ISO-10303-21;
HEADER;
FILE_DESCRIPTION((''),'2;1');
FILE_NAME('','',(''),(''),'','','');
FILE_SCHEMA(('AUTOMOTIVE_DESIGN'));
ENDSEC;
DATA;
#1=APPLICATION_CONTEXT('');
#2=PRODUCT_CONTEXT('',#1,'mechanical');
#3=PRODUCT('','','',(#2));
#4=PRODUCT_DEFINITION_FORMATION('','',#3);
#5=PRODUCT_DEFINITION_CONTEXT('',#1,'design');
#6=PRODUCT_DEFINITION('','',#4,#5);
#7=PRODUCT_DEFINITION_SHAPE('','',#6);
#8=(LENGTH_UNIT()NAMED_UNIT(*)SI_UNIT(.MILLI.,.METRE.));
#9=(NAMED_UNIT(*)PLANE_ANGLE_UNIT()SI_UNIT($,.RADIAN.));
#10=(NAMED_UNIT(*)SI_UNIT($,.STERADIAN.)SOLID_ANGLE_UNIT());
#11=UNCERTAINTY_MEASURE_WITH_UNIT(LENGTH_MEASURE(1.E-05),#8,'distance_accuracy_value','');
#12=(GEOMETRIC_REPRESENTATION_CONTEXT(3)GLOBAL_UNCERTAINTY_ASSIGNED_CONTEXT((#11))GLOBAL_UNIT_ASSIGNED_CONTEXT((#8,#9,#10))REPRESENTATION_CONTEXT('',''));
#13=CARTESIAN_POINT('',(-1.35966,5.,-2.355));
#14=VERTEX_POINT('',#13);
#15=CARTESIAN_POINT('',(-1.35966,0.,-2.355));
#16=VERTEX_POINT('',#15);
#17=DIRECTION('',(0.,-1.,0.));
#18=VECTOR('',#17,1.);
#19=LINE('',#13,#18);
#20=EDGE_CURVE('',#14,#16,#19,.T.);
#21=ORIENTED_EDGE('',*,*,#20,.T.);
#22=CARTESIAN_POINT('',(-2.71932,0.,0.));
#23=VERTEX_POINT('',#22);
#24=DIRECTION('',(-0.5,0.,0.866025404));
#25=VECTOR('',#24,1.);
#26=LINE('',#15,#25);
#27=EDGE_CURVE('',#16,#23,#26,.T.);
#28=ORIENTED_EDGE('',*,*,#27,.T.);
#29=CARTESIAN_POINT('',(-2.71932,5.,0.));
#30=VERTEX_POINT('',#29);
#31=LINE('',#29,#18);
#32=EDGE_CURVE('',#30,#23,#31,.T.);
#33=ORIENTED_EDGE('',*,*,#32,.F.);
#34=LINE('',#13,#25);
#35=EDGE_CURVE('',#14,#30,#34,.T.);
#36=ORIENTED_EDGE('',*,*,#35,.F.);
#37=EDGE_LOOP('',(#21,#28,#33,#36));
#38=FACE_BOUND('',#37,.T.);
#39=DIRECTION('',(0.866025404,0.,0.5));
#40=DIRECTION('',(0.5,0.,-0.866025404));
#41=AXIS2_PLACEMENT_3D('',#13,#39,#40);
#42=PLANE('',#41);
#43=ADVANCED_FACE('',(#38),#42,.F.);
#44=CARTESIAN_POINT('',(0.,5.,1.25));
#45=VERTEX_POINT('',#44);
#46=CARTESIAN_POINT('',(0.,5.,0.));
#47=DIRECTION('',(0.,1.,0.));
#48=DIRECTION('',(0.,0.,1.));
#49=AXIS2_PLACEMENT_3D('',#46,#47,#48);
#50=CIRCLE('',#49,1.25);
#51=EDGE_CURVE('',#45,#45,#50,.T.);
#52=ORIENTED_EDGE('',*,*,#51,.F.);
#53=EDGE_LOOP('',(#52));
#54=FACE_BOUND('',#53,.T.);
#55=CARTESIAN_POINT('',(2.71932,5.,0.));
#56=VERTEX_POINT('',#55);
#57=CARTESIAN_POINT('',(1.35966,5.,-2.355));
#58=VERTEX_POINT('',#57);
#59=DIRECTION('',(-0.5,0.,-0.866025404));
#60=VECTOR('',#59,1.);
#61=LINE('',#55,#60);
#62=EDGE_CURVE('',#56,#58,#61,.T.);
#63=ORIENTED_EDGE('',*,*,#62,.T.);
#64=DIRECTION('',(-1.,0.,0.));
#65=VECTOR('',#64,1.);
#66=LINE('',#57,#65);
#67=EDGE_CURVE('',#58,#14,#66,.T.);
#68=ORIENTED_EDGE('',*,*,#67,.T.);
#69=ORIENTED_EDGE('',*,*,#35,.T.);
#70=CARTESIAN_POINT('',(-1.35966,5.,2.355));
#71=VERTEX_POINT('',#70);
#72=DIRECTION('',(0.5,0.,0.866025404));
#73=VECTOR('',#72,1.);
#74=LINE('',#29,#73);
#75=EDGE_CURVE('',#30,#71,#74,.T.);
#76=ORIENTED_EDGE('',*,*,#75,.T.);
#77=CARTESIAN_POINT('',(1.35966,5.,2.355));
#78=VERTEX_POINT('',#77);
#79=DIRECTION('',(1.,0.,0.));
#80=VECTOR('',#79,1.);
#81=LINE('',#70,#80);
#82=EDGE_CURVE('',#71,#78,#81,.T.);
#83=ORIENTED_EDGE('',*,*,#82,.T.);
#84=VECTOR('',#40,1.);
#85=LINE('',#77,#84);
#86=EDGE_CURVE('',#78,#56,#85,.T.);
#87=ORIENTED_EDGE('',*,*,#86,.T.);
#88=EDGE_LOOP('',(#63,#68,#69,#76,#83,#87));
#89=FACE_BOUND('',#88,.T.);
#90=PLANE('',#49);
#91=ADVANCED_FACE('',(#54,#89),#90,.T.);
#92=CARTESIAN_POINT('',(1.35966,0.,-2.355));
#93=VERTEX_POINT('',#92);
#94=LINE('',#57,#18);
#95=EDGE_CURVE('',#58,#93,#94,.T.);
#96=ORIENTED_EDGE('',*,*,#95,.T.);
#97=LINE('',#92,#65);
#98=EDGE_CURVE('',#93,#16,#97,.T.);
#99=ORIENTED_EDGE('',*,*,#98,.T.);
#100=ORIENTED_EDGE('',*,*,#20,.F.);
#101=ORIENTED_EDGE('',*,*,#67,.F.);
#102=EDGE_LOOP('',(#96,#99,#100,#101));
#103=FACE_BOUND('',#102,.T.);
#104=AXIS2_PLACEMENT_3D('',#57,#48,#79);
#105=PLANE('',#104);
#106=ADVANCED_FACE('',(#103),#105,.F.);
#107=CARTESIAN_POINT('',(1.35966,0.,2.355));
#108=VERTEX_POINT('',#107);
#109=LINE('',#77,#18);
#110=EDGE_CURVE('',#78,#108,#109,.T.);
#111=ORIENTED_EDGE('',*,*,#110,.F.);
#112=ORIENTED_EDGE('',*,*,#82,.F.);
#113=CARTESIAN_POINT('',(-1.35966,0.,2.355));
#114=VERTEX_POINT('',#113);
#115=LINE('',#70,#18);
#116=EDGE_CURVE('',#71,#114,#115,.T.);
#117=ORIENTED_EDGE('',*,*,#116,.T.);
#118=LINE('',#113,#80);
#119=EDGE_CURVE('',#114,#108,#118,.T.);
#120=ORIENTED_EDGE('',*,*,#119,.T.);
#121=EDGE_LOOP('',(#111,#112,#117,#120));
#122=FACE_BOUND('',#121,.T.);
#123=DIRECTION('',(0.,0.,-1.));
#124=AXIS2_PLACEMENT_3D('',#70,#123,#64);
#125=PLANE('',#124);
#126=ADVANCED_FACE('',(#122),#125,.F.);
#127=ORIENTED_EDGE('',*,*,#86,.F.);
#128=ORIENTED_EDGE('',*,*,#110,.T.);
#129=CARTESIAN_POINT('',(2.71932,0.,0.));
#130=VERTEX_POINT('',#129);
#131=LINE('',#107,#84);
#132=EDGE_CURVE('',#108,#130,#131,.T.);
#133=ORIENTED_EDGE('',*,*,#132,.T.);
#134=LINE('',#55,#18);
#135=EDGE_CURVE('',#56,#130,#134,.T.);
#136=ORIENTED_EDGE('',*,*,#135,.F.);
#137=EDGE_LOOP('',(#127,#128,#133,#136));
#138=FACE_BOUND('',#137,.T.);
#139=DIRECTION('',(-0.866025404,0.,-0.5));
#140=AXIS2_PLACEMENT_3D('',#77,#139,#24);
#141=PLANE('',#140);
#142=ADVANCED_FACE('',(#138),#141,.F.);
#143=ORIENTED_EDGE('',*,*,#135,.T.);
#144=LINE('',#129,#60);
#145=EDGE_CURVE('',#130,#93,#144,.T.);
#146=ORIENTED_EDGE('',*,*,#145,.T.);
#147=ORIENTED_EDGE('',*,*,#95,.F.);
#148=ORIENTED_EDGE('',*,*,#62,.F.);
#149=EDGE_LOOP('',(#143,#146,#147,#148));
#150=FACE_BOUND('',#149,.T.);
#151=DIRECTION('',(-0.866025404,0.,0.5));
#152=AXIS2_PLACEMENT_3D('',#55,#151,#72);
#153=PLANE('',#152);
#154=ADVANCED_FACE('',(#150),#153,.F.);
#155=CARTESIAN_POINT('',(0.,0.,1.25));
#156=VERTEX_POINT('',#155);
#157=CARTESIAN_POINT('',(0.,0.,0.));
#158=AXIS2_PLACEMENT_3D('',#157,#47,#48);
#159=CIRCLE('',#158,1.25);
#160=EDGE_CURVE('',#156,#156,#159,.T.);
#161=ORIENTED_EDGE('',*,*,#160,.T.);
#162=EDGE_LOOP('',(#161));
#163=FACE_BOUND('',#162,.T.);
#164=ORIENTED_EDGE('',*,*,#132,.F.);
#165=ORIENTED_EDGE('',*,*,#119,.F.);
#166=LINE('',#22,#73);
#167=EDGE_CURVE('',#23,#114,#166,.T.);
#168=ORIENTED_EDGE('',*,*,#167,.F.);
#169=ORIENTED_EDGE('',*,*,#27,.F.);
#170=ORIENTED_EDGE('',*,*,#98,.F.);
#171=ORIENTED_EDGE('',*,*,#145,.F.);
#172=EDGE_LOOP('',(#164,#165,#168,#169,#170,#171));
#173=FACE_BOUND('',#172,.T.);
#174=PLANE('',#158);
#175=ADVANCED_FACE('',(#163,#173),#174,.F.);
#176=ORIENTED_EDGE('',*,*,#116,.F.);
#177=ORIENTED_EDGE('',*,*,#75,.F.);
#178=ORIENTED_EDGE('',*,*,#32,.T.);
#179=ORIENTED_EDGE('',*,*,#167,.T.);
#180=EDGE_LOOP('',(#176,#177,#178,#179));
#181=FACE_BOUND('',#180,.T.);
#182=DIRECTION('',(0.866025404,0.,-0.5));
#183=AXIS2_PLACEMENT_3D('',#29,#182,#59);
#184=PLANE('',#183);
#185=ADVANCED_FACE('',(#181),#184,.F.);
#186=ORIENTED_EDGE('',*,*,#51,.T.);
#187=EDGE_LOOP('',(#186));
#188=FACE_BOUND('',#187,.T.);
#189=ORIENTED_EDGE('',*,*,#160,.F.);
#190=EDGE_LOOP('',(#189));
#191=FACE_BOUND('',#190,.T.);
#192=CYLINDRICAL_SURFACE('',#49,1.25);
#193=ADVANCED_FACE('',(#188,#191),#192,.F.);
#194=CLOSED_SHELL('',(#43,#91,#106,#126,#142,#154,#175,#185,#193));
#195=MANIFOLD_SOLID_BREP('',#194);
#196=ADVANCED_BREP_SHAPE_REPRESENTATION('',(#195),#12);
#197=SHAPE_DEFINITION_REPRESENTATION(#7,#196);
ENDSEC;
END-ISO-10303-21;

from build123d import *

# Parameters (mm, degrees)
EXTRUDE_1_DEPTH    = 5
HOLE_WIZARD_M3_1_D = 2.5


with BuildPart() as part:
    # 草图1 → 凸台-拉伸1 (new body)
    with BuildSketch(Plane(origin=(0, 0, 0), x_dir=(1, 0, 0), z_dir=(0, 1, 0))):
        Polygon((2.719319768, 0), (1.359659884, 2.355), (-1.359659884, 2.355), (-2.719319768, 0), (-1.359659884, -2.355), (1.359659884, -2.355), align=None)
    extrude(amount=EXTRUDE_1_DEPTH)

    # M3 螺纹孔1 (through all)
    with Locations(Plane(origin=(0, 5, 0), x_dir=(1, 0, 0), z_dir=(0, 1, 0))):
        with Locations((0, 0)):
            Hole(HOLE_WIZARD_M3_1_D / 2)


solid = part.part
